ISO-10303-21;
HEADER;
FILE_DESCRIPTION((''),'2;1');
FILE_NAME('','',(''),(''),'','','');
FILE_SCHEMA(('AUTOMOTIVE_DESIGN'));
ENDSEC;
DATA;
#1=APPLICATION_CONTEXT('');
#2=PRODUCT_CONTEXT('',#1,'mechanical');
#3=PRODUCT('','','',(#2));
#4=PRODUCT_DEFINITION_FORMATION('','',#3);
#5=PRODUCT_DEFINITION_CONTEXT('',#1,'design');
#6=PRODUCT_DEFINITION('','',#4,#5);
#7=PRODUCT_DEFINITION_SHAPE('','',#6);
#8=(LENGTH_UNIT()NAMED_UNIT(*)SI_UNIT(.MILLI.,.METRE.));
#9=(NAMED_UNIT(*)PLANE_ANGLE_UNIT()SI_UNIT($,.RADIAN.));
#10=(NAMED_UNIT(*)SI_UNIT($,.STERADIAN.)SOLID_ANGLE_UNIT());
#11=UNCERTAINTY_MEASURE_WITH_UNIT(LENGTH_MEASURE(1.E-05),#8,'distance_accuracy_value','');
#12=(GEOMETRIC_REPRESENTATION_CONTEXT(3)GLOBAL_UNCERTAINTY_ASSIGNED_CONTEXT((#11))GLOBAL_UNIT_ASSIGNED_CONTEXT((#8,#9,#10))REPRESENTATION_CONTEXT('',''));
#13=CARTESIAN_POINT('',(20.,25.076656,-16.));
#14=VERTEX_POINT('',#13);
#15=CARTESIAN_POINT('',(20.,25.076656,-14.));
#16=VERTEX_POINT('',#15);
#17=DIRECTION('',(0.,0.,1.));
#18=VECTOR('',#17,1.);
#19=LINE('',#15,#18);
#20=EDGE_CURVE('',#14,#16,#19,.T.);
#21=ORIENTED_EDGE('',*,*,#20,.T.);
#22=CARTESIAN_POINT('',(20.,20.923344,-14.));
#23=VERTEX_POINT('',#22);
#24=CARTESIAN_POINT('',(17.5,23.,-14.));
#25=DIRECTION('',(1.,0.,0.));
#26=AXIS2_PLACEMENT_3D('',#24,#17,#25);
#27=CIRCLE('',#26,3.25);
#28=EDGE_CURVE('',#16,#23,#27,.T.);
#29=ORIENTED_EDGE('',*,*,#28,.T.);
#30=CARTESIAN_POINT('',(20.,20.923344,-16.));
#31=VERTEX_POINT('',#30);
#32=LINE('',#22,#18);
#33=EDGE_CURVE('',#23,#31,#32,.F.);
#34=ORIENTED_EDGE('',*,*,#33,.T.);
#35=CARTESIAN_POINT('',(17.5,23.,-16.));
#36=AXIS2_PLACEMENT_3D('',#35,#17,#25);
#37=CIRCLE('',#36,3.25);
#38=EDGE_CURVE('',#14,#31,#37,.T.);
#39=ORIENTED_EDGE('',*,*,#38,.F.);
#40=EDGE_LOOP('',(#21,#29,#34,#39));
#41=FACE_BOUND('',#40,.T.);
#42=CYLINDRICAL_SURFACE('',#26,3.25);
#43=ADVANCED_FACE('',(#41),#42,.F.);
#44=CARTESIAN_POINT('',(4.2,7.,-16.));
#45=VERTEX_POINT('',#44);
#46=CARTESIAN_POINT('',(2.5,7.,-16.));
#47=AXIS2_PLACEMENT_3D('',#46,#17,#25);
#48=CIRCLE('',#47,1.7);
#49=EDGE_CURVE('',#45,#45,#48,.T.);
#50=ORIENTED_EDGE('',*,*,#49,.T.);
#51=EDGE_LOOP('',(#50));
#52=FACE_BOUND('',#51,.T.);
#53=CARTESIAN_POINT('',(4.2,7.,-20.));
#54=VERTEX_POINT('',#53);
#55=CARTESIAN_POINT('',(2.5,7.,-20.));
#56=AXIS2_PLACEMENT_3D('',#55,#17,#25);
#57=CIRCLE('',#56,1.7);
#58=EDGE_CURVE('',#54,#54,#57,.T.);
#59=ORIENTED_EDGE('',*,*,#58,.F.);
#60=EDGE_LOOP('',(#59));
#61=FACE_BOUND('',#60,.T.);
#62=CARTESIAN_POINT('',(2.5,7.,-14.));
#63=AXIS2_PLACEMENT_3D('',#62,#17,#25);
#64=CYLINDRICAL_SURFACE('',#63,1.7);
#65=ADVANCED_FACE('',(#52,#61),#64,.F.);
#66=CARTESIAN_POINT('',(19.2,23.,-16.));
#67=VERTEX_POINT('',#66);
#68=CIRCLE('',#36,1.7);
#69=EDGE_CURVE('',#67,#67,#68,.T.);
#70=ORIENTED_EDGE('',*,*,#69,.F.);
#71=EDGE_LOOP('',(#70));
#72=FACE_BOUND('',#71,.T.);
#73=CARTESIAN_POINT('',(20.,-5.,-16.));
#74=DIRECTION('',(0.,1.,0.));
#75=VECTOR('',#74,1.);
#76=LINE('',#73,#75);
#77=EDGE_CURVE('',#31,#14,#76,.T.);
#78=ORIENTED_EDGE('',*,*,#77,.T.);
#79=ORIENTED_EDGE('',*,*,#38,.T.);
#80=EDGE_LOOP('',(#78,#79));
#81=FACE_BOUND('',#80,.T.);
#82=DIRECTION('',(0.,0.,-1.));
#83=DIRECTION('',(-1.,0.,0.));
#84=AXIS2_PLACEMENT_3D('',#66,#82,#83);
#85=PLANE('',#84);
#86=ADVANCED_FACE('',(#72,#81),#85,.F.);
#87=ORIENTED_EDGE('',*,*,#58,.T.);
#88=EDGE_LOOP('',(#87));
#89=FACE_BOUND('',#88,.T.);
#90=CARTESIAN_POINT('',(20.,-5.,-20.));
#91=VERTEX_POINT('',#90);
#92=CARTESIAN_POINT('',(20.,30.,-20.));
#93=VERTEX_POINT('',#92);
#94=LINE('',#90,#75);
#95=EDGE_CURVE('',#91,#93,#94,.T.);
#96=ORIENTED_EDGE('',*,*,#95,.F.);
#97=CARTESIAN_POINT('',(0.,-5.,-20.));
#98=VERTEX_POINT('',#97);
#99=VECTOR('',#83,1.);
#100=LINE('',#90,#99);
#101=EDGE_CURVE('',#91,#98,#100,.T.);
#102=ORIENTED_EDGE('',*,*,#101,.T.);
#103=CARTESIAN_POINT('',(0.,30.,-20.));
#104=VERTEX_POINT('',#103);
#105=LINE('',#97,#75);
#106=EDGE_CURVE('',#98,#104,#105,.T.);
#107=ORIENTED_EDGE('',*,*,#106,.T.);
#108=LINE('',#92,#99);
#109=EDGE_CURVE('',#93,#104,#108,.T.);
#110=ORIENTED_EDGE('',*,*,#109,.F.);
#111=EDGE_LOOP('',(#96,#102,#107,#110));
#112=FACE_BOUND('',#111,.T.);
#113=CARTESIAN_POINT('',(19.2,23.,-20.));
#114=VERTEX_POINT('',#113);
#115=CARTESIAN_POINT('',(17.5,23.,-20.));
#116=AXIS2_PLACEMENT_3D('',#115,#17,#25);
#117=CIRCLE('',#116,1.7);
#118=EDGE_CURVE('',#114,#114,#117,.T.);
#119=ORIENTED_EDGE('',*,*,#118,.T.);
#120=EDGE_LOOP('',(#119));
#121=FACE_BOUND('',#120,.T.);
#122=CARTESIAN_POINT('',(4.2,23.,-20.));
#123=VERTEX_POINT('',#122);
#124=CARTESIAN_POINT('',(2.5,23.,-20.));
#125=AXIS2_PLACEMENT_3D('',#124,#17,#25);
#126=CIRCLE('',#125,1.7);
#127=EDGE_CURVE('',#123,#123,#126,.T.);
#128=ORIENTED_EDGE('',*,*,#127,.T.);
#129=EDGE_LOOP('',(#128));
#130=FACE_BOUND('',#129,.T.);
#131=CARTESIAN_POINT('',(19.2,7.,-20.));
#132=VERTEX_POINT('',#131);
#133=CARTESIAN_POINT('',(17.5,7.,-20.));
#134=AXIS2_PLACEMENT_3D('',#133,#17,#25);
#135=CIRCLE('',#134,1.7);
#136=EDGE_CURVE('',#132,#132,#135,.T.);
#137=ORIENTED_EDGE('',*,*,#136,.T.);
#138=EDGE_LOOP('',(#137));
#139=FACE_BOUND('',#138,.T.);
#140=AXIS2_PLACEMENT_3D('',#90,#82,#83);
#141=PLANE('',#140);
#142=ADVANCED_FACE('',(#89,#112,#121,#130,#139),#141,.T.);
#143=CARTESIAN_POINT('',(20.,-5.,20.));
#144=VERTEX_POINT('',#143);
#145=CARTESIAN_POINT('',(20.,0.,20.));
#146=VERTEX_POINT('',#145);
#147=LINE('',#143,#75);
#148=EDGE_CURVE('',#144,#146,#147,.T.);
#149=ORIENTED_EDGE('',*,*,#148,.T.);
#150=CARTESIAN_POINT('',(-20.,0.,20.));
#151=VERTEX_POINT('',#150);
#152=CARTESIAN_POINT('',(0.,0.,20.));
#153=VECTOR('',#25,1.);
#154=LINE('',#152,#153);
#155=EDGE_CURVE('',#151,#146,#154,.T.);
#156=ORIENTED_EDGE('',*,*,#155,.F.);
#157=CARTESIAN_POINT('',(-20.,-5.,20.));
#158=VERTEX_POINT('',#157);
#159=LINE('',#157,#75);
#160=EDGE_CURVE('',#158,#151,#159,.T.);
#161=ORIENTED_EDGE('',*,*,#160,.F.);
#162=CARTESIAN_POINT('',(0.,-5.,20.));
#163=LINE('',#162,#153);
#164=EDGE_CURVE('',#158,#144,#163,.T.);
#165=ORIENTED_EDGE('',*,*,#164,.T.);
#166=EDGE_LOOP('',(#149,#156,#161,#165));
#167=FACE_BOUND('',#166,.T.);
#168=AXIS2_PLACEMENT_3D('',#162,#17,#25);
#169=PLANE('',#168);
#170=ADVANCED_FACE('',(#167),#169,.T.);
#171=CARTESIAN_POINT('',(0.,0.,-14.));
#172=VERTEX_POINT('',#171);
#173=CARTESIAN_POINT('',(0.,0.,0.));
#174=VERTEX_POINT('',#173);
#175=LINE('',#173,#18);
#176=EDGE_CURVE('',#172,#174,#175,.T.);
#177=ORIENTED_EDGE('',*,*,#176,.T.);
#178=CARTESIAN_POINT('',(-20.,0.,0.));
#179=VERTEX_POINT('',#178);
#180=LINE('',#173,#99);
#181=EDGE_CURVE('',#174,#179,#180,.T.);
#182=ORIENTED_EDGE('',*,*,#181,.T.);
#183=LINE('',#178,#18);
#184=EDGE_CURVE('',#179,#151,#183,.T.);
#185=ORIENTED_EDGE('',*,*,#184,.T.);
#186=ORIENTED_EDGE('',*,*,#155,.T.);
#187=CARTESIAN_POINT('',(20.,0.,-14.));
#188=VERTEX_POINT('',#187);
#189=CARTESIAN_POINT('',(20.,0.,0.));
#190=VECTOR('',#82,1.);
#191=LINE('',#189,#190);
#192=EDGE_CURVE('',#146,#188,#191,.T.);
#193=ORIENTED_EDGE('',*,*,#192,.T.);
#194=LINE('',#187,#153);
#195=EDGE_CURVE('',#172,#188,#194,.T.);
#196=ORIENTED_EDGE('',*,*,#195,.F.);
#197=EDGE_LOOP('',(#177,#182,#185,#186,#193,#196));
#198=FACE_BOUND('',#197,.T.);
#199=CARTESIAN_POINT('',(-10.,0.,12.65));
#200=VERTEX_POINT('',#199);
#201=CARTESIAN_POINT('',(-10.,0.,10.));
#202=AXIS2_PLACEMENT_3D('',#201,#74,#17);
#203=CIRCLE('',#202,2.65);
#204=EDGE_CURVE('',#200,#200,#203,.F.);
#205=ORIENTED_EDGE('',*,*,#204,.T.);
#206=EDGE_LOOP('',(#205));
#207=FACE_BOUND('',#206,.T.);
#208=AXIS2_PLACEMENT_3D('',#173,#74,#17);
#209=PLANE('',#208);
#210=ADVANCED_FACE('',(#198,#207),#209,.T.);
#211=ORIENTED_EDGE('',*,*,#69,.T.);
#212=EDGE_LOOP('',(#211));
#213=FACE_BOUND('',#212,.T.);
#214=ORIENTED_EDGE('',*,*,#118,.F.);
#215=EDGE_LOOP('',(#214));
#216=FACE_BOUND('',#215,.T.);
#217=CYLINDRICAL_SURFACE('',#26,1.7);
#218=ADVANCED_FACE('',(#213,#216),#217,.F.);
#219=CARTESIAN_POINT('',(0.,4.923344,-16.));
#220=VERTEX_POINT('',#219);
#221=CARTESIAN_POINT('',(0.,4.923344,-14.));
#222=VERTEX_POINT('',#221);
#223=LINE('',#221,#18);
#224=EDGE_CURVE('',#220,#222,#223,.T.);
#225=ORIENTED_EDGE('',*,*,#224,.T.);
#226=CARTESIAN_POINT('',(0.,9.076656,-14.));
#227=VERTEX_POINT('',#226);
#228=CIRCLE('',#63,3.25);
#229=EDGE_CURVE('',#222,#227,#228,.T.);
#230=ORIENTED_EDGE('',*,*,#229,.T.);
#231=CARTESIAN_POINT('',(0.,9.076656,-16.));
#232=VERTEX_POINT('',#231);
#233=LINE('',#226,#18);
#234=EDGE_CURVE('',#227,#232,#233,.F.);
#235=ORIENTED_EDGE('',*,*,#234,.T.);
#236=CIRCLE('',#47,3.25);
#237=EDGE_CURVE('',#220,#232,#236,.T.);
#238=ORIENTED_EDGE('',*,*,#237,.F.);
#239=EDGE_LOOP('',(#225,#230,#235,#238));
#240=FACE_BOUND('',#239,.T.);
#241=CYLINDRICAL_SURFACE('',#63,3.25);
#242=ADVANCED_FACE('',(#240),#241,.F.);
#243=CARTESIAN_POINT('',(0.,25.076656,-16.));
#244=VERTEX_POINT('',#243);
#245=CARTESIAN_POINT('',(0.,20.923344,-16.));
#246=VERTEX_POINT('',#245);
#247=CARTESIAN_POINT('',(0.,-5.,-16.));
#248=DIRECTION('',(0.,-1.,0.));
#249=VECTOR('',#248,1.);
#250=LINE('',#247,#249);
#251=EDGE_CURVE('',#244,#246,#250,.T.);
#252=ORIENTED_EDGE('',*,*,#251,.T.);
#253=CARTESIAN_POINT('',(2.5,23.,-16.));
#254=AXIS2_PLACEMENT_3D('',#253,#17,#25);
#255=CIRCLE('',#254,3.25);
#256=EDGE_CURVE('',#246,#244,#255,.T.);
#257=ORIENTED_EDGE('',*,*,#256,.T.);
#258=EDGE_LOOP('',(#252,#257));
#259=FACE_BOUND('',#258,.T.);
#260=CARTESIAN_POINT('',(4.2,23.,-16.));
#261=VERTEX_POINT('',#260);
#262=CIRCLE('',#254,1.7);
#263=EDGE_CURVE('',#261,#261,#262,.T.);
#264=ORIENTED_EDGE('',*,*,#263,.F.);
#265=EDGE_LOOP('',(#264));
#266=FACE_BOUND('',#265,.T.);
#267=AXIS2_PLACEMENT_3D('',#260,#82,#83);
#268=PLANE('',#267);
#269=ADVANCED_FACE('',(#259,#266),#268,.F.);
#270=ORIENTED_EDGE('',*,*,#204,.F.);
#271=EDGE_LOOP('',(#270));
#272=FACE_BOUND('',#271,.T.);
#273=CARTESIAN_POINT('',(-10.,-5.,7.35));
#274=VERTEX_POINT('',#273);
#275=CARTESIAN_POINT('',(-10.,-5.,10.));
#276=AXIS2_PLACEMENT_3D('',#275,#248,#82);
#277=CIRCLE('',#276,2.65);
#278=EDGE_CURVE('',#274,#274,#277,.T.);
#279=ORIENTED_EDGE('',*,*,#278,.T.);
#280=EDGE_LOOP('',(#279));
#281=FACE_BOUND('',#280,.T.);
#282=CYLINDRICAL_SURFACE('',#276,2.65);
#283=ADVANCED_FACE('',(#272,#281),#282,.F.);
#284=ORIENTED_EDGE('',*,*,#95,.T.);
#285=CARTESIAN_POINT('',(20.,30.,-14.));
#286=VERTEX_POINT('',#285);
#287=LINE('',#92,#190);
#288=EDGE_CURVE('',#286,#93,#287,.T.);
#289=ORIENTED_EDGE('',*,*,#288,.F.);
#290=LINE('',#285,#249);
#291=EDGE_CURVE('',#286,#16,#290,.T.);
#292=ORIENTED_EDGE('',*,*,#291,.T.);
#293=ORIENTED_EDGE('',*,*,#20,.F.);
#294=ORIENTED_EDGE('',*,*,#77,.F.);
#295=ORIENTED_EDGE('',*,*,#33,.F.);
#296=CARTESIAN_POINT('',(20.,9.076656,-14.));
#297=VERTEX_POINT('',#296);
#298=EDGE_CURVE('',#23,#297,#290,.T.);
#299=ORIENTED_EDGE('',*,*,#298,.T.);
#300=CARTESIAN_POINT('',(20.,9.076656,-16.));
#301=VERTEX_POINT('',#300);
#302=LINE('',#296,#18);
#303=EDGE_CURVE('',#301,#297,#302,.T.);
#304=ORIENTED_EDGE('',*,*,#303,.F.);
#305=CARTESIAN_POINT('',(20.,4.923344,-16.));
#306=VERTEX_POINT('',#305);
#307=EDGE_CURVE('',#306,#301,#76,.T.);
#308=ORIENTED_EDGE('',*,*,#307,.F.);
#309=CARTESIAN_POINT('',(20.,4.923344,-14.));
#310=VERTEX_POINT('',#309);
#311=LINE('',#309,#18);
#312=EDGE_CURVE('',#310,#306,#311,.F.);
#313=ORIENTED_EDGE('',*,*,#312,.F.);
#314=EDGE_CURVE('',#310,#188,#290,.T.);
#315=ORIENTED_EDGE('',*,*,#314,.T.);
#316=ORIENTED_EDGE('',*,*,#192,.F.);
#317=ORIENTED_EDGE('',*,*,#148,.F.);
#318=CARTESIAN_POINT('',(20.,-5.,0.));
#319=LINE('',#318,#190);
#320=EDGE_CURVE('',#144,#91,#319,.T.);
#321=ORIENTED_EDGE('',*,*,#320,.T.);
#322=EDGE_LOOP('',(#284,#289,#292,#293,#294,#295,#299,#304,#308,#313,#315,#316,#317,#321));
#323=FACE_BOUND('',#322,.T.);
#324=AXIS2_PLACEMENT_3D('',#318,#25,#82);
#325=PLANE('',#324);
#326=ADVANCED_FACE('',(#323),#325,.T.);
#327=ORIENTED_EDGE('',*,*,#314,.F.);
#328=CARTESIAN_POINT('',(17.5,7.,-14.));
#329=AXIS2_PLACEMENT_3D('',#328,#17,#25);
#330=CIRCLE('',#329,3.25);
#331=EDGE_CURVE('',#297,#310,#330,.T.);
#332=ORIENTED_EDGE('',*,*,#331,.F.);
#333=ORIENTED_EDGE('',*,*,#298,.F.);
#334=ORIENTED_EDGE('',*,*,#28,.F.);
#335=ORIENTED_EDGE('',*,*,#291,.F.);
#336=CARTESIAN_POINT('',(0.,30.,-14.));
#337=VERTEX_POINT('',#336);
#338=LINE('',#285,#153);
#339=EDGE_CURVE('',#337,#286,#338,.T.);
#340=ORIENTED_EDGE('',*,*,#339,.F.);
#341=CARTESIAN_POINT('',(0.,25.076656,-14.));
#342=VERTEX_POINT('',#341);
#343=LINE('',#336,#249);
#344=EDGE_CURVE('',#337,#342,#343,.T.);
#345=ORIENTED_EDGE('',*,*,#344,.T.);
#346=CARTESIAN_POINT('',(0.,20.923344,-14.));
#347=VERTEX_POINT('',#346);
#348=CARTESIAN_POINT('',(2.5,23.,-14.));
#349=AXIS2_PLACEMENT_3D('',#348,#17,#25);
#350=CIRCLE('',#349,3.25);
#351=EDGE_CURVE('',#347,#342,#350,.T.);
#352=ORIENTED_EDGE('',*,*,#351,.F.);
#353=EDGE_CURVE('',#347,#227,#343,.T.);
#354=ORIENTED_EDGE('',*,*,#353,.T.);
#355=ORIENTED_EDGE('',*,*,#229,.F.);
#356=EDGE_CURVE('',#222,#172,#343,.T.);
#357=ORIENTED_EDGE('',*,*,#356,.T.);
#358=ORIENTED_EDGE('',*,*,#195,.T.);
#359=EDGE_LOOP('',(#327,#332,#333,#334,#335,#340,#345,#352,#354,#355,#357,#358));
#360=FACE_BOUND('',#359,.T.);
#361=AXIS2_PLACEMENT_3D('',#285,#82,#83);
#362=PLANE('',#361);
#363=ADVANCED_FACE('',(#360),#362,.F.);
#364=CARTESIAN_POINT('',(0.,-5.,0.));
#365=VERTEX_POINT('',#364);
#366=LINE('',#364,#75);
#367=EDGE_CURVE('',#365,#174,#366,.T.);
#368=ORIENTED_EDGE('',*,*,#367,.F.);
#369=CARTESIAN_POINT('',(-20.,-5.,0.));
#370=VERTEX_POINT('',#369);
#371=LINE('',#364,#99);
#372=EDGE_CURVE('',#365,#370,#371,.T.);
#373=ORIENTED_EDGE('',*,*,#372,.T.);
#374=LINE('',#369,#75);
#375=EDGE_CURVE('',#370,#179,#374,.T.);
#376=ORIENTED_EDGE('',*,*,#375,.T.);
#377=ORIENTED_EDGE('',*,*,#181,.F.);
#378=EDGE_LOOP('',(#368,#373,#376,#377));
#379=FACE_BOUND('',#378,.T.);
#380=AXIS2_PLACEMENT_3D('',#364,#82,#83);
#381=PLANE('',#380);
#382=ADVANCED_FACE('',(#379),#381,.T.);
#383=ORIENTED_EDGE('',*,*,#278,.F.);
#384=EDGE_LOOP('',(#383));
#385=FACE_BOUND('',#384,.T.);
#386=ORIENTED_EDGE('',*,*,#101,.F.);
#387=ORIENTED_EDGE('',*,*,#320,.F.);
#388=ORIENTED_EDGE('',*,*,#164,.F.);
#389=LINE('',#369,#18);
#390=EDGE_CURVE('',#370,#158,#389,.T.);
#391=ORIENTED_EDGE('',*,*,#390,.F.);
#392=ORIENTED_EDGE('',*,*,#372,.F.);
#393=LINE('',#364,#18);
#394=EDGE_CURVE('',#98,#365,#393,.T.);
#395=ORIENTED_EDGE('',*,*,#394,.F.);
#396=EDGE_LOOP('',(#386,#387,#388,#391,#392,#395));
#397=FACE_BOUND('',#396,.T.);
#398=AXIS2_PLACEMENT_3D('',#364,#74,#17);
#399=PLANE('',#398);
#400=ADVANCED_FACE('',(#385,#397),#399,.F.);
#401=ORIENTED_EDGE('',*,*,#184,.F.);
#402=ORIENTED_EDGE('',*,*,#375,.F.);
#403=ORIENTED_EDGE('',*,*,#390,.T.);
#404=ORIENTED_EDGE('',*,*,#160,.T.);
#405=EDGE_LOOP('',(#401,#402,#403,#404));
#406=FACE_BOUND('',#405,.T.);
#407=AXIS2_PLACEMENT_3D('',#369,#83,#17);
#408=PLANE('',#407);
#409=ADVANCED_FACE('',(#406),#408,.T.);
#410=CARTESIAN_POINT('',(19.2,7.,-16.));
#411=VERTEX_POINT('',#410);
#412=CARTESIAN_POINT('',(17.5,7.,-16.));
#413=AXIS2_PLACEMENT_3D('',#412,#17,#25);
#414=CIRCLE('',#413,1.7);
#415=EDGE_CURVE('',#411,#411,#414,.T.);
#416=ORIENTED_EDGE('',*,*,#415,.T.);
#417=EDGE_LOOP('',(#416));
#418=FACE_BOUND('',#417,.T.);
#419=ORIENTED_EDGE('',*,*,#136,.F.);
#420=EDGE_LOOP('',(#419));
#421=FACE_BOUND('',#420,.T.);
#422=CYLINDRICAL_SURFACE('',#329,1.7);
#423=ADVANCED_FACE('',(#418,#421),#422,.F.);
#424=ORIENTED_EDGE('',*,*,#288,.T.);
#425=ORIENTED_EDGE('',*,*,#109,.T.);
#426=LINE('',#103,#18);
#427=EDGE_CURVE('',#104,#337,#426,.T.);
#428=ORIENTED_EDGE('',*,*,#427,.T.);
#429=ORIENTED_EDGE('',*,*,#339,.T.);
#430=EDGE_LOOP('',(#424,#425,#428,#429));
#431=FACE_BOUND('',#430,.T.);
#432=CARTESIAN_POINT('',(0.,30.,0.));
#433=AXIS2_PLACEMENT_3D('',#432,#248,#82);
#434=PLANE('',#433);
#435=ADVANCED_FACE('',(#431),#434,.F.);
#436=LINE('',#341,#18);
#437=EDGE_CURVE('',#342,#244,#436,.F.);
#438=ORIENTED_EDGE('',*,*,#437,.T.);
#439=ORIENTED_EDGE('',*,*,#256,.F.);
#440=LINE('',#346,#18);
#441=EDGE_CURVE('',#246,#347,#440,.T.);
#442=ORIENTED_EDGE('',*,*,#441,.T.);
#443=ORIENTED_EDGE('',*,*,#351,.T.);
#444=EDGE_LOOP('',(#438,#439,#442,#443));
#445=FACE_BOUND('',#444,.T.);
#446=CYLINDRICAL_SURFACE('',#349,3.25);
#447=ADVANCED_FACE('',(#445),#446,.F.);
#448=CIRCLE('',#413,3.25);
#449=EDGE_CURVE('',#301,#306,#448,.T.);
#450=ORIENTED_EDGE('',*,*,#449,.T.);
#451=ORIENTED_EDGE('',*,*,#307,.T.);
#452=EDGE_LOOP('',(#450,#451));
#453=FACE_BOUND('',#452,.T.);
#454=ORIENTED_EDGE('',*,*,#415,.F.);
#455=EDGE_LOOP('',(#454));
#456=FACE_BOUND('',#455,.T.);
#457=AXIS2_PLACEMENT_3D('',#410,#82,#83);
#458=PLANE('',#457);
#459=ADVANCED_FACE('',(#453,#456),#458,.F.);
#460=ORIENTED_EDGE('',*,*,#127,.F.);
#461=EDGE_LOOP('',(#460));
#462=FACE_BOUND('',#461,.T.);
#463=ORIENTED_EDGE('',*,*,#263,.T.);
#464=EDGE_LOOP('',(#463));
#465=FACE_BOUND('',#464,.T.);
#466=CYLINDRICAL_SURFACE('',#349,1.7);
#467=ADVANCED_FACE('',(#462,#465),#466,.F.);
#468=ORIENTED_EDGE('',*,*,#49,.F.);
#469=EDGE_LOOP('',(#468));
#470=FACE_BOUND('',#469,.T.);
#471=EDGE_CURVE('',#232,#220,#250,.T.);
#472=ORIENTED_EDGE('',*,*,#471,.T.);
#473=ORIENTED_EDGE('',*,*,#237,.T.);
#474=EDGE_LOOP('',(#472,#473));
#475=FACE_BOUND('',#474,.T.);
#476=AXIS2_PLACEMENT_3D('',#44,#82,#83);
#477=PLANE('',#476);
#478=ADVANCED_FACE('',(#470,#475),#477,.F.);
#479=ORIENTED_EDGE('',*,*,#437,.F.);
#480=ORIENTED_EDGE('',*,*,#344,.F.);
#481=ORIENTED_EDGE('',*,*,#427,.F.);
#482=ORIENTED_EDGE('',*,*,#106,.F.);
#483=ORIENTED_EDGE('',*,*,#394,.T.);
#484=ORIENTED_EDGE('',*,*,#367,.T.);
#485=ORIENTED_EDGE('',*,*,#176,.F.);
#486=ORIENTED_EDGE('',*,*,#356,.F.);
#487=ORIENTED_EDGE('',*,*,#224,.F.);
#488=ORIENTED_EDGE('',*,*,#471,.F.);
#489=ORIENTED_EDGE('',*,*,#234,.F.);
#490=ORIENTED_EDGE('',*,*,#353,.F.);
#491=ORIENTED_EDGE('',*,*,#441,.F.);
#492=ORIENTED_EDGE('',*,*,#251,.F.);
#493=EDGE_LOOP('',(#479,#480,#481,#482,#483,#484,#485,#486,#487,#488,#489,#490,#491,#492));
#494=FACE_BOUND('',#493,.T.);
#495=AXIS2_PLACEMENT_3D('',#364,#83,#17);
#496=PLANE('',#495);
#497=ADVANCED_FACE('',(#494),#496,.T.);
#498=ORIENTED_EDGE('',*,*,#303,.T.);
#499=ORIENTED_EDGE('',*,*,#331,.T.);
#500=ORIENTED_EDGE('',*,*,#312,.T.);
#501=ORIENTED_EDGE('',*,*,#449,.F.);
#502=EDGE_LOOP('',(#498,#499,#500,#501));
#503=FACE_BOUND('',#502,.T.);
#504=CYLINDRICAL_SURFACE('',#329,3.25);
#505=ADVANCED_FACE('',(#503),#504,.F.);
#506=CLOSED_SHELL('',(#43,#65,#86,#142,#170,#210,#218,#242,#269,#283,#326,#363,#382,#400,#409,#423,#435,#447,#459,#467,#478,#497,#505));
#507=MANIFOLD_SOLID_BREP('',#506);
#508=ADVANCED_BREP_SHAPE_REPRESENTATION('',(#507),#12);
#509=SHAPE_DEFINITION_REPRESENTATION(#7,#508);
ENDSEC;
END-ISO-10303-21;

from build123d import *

# Parameters (mm, degrees)
BOSS_EXTRUDE1_DEPTH                                  = 5
SKETCH2_W                                            = 20
SKETCH2_H                                            = 6
BOSS_EXTRUDE2_DEPTH                                  = 30
SKETCH3_R                                            = 1.5
CUT_EXTRUDE1_DEPTH                                   = 50.558046773
REFRENTADO_PARA_TORNILLO_CON_CABEZA_PLAN_D           = 3.4
REFRENTADO_PARA_TORNILLO_CON_CABEZA_PLAN_CBORE_D     = 6.5
REFRENTADO_PARA_TORNILLO_CON_CABEZA_PLAN_CBORE_DEPTH = 2
CUT_EXTRUDE2_REACH                                   = 47
SKETCH7_R                                            = 2.5
TALADRO_DE_MARGEN_PARA_M51_D                         = 5.3
TALADRO_DE_MARGEN_PARA_M51_DEPTH                     = 5
TALADRO_DE_MARGEN_PARA_M51_TIP                       = 1.59228064


with BuildPart() as part:
    # Sketch1 → Boss-Extrude1 (new body)
    with BuildSketch(Plane(origin=(0, 0, 0), x_dir=(1, 0, 0), z_dir=(0, 1, 0))):
        Polygon((0, 0), (-20, 0), (-20, -20), (0, -20), (20, -20), (20, 0), (20, 20), (0, 20), align=None)
    extrude(amount=-BOSS_EXTRUDE1_DEPTH)

    # Sketch2 → Boss-Extrude2 (add)
    with BuildSketch(Plane(origin=(0, 0, 0), x_dir=(1, 0, 0), z_dir=(0, 1, 0))):
        with Locations((10, 17)):
            Rectangle(SKETCH2_W, SKETCH2_H)
    extrude(amount=BOSS_EXTRUDE2_DEPTH)

    # Sketch3 → Cut-Extrude1 (cut, through all)
    with BuildSketch(Plane.XY.offset(-14)):
        with Locations((2.5, 7)):
            Circle(SKETCH3_R)
        with Locations(Location((2.5, 23, 0), (0, 0, 180))):
            Circle(SKETCH3_R)
        with Locations(Location((17.5, 7, 0), (0, 0, 180))):
            Circle(SKETCH3_R)
        with Locations((17.5, 23)):
            Circle(SKETCH3_R)
    extrude(amount=-CUT_EXTRUDE1_DEPTH, mode=Mode.SUBTRACT)

    # Refrentado para tornillo con cabeza plana de M31 (through all)
    with Locations(Plane.XY.offset(-14)):
        with Locations((2.5, 23), (2.5, 7), (17.5, 7), (17.5, 23)):
            CounterBoreHole(REFRENTADO_PARA_TORNILLO_CON_CABEZA_PLAN_D / 2, REFRENTADO_PARA_TORNILLO_CON_CABEZA_PLAN_CBORE_D / 2, REFRENTADO_PARA_TORNILLO_CON_CABEZA_PLAN_CBORE_DEPTH)

    # Sketch7 → Cut-Extrude2 (cut, up to next)
    with BuildSketch(Plane.XZ.offset(5), mode=Mode.PRIVATE) as cut_extrude2_sk1:
        with Locations(Location((-10, 10, 0), (0, 0, 270))):
            Circle(SKETCH7_R)
    cut_extrude2_tool1 = extrude(cut_extrude2_sk1.sketch, amount=-CUT_EXTRUDE2_REACH, mode=Mode.PRIVATE) & part.part
    add(cut_extrude2_tool1.solids().sort_by_distance((-10, -5, 10))[0], mode=Mode.SUBTRACT)

    # Taladro de margen para M51
    with Locations(Plane(origin=(0, -5, 0), x_dir=(-1, 0, 0), z_dir=(0, -1, 0))):
        with Locations((10, -10)):
            Hole(TALADRO_DE_MARGEN_PARA_M51_D / 2, depth=TALADRO_DE_MARGEN_PARA_M51_DEPTH)
            with Locations((0, 0, -(TALADRO_DE_MARGEN_PARA_M51_DEPTH + TALADRO_DE_MARGEN_PARA_M51_TIP / 2))):  # 118° drill point
                Cone(0, TALADRO_DE_MARGEN_PARA_M51_D / 2, TALADRO_DE_MARGEN_PARA_M51_TIP, mode=Mode.SUBTRACT)


solid = part.part
